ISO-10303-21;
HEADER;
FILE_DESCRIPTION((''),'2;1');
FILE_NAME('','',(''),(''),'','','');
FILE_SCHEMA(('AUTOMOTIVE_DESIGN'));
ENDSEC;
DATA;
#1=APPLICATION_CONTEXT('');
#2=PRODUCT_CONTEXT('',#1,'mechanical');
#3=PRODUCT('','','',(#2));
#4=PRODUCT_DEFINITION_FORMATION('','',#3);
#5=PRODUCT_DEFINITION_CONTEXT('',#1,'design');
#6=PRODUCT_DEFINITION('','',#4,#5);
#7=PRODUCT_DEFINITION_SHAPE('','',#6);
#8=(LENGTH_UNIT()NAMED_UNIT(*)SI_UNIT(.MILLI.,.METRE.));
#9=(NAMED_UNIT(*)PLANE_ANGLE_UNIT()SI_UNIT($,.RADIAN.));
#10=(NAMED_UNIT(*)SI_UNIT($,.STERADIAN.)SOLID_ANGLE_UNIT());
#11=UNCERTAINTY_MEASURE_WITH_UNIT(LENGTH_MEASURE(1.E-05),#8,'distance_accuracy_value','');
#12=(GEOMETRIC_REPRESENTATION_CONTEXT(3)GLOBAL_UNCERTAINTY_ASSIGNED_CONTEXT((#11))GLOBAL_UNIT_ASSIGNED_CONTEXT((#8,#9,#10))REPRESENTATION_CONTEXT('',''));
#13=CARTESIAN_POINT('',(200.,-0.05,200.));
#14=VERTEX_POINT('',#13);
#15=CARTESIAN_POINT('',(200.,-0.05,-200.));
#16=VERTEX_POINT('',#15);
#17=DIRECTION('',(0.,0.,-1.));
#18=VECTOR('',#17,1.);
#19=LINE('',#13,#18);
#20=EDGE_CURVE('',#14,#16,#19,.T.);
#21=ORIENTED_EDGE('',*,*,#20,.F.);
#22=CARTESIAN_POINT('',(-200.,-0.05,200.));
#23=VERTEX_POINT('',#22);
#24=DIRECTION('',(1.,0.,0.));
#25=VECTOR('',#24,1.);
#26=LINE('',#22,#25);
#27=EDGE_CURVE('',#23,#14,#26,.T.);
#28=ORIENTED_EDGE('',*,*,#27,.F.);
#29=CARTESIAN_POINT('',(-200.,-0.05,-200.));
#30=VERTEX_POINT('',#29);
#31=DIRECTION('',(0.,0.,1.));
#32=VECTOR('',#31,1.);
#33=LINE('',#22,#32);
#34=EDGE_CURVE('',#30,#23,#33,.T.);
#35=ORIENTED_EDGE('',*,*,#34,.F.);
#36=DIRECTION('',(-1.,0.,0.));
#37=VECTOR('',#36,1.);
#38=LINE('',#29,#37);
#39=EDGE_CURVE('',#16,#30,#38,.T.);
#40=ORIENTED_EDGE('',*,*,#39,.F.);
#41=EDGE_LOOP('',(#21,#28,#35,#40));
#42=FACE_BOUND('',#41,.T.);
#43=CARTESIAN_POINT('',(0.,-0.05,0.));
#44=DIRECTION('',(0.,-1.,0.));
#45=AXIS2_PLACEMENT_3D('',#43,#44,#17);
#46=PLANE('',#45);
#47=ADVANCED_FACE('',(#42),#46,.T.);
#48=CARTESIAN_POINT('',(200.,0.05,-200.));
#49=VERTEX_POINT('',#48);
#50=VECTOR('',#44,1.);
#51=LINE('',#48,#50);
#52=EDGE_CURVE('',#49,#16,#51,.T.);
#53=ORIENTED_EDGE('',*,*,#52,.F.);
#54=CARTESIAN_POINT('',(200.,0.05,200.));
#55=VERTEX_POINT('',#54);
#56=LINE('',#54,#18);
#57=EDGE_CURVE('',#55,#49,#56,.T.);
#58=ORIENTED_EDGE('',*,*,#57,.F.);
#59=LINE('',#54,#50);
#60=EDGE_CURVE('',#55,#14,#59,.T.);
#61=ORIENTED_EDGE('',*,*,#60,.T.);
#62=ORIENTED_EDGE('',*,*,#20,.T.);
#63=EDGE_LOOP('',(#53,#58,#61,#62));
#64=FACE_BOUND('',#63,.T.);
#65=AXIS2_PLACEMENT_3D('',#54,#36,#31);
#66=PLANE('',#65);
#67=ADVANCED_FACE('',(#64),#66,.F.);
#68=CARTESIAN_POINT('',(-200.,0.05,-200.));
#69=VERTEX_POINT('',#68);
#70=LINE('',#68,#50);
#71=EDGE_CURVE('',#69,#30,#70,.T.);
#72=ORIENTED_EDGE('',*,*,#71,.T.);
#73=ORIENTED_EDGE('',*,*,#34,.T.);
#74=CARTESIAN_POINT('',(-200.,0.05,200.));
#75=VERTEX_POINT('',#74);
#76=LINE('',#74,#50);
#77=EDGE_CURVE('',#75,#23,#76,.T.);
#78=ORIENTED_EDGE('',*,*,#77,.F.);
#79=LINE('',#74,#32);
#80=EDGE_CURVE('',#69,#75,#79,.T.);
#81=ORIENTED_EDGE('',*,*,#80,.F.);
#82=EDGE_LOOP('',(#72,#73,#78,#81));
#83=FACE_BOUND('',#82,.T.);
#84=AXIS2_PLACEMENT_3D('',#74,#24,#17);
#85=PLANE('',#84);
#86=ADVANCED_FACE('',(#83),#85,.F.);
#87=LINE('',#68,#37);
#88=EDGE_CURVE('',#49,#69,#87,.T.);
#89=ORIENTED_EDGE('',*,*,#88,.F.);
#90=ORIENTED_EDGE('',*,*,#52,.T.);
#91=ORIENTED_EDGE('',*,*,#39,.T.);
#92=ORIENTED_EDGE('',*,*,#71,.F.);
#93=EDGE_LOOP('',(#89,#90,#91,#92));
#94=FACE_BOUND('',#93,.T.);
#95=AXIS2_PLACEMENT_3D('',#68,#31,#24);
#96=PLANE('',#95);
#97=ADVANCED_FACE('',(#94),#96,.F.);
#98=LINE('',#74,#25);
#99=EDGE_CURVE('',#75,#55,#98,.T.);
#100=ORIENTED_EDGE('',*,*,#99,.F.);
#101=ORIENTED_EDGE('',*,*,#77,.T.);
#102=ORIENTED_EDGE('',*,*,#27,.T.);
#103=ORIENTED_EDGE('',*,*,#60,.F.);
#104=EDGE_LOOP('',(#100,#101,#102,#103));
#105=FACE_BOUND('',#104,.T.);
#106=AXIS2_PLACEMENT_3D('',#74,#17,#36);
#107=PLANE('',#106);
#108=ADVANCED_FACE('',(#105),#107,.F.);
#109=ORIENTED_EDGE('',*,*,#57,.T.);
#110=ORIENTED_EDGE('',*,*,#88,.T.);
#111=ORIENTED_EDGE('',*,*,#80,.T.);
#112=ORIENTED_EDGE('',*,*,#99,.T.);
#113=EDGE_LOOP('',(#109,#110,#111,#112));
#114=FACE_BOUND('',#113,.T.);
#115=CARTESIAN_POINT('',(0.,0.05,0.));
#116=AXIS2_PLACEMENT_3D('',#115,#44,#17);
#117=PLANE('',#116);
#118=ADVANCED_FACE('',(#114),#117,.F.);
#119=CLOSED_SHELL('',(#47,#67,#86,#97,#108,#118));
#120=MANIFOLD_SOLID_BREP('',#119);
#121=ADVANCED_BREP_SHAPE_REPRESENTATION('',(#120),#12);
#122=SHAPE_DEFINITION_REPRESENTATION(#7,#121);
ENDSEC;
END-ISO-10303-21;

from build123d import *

# Parameters (mm, degrees)
SKETCH_1_W      = 400
SKETCH_1_H      = 400
EXTRUDE_1_DEPTH = 0.05


with BuildPart() as part:
    # 草图1 → 凸台-拉伸1 (new, symmetric)
    with BuildSketch(Plane(origin=(0, 0, 0), x_dir=(1, 0, 0), z_dir=(0, 1, 0))):
        Rectangle(SKETCH_1_W, SKETCH_1_H)
    extrude(amount=EXTRUDE_1_DEPTH, both=True)


solid = part.part
